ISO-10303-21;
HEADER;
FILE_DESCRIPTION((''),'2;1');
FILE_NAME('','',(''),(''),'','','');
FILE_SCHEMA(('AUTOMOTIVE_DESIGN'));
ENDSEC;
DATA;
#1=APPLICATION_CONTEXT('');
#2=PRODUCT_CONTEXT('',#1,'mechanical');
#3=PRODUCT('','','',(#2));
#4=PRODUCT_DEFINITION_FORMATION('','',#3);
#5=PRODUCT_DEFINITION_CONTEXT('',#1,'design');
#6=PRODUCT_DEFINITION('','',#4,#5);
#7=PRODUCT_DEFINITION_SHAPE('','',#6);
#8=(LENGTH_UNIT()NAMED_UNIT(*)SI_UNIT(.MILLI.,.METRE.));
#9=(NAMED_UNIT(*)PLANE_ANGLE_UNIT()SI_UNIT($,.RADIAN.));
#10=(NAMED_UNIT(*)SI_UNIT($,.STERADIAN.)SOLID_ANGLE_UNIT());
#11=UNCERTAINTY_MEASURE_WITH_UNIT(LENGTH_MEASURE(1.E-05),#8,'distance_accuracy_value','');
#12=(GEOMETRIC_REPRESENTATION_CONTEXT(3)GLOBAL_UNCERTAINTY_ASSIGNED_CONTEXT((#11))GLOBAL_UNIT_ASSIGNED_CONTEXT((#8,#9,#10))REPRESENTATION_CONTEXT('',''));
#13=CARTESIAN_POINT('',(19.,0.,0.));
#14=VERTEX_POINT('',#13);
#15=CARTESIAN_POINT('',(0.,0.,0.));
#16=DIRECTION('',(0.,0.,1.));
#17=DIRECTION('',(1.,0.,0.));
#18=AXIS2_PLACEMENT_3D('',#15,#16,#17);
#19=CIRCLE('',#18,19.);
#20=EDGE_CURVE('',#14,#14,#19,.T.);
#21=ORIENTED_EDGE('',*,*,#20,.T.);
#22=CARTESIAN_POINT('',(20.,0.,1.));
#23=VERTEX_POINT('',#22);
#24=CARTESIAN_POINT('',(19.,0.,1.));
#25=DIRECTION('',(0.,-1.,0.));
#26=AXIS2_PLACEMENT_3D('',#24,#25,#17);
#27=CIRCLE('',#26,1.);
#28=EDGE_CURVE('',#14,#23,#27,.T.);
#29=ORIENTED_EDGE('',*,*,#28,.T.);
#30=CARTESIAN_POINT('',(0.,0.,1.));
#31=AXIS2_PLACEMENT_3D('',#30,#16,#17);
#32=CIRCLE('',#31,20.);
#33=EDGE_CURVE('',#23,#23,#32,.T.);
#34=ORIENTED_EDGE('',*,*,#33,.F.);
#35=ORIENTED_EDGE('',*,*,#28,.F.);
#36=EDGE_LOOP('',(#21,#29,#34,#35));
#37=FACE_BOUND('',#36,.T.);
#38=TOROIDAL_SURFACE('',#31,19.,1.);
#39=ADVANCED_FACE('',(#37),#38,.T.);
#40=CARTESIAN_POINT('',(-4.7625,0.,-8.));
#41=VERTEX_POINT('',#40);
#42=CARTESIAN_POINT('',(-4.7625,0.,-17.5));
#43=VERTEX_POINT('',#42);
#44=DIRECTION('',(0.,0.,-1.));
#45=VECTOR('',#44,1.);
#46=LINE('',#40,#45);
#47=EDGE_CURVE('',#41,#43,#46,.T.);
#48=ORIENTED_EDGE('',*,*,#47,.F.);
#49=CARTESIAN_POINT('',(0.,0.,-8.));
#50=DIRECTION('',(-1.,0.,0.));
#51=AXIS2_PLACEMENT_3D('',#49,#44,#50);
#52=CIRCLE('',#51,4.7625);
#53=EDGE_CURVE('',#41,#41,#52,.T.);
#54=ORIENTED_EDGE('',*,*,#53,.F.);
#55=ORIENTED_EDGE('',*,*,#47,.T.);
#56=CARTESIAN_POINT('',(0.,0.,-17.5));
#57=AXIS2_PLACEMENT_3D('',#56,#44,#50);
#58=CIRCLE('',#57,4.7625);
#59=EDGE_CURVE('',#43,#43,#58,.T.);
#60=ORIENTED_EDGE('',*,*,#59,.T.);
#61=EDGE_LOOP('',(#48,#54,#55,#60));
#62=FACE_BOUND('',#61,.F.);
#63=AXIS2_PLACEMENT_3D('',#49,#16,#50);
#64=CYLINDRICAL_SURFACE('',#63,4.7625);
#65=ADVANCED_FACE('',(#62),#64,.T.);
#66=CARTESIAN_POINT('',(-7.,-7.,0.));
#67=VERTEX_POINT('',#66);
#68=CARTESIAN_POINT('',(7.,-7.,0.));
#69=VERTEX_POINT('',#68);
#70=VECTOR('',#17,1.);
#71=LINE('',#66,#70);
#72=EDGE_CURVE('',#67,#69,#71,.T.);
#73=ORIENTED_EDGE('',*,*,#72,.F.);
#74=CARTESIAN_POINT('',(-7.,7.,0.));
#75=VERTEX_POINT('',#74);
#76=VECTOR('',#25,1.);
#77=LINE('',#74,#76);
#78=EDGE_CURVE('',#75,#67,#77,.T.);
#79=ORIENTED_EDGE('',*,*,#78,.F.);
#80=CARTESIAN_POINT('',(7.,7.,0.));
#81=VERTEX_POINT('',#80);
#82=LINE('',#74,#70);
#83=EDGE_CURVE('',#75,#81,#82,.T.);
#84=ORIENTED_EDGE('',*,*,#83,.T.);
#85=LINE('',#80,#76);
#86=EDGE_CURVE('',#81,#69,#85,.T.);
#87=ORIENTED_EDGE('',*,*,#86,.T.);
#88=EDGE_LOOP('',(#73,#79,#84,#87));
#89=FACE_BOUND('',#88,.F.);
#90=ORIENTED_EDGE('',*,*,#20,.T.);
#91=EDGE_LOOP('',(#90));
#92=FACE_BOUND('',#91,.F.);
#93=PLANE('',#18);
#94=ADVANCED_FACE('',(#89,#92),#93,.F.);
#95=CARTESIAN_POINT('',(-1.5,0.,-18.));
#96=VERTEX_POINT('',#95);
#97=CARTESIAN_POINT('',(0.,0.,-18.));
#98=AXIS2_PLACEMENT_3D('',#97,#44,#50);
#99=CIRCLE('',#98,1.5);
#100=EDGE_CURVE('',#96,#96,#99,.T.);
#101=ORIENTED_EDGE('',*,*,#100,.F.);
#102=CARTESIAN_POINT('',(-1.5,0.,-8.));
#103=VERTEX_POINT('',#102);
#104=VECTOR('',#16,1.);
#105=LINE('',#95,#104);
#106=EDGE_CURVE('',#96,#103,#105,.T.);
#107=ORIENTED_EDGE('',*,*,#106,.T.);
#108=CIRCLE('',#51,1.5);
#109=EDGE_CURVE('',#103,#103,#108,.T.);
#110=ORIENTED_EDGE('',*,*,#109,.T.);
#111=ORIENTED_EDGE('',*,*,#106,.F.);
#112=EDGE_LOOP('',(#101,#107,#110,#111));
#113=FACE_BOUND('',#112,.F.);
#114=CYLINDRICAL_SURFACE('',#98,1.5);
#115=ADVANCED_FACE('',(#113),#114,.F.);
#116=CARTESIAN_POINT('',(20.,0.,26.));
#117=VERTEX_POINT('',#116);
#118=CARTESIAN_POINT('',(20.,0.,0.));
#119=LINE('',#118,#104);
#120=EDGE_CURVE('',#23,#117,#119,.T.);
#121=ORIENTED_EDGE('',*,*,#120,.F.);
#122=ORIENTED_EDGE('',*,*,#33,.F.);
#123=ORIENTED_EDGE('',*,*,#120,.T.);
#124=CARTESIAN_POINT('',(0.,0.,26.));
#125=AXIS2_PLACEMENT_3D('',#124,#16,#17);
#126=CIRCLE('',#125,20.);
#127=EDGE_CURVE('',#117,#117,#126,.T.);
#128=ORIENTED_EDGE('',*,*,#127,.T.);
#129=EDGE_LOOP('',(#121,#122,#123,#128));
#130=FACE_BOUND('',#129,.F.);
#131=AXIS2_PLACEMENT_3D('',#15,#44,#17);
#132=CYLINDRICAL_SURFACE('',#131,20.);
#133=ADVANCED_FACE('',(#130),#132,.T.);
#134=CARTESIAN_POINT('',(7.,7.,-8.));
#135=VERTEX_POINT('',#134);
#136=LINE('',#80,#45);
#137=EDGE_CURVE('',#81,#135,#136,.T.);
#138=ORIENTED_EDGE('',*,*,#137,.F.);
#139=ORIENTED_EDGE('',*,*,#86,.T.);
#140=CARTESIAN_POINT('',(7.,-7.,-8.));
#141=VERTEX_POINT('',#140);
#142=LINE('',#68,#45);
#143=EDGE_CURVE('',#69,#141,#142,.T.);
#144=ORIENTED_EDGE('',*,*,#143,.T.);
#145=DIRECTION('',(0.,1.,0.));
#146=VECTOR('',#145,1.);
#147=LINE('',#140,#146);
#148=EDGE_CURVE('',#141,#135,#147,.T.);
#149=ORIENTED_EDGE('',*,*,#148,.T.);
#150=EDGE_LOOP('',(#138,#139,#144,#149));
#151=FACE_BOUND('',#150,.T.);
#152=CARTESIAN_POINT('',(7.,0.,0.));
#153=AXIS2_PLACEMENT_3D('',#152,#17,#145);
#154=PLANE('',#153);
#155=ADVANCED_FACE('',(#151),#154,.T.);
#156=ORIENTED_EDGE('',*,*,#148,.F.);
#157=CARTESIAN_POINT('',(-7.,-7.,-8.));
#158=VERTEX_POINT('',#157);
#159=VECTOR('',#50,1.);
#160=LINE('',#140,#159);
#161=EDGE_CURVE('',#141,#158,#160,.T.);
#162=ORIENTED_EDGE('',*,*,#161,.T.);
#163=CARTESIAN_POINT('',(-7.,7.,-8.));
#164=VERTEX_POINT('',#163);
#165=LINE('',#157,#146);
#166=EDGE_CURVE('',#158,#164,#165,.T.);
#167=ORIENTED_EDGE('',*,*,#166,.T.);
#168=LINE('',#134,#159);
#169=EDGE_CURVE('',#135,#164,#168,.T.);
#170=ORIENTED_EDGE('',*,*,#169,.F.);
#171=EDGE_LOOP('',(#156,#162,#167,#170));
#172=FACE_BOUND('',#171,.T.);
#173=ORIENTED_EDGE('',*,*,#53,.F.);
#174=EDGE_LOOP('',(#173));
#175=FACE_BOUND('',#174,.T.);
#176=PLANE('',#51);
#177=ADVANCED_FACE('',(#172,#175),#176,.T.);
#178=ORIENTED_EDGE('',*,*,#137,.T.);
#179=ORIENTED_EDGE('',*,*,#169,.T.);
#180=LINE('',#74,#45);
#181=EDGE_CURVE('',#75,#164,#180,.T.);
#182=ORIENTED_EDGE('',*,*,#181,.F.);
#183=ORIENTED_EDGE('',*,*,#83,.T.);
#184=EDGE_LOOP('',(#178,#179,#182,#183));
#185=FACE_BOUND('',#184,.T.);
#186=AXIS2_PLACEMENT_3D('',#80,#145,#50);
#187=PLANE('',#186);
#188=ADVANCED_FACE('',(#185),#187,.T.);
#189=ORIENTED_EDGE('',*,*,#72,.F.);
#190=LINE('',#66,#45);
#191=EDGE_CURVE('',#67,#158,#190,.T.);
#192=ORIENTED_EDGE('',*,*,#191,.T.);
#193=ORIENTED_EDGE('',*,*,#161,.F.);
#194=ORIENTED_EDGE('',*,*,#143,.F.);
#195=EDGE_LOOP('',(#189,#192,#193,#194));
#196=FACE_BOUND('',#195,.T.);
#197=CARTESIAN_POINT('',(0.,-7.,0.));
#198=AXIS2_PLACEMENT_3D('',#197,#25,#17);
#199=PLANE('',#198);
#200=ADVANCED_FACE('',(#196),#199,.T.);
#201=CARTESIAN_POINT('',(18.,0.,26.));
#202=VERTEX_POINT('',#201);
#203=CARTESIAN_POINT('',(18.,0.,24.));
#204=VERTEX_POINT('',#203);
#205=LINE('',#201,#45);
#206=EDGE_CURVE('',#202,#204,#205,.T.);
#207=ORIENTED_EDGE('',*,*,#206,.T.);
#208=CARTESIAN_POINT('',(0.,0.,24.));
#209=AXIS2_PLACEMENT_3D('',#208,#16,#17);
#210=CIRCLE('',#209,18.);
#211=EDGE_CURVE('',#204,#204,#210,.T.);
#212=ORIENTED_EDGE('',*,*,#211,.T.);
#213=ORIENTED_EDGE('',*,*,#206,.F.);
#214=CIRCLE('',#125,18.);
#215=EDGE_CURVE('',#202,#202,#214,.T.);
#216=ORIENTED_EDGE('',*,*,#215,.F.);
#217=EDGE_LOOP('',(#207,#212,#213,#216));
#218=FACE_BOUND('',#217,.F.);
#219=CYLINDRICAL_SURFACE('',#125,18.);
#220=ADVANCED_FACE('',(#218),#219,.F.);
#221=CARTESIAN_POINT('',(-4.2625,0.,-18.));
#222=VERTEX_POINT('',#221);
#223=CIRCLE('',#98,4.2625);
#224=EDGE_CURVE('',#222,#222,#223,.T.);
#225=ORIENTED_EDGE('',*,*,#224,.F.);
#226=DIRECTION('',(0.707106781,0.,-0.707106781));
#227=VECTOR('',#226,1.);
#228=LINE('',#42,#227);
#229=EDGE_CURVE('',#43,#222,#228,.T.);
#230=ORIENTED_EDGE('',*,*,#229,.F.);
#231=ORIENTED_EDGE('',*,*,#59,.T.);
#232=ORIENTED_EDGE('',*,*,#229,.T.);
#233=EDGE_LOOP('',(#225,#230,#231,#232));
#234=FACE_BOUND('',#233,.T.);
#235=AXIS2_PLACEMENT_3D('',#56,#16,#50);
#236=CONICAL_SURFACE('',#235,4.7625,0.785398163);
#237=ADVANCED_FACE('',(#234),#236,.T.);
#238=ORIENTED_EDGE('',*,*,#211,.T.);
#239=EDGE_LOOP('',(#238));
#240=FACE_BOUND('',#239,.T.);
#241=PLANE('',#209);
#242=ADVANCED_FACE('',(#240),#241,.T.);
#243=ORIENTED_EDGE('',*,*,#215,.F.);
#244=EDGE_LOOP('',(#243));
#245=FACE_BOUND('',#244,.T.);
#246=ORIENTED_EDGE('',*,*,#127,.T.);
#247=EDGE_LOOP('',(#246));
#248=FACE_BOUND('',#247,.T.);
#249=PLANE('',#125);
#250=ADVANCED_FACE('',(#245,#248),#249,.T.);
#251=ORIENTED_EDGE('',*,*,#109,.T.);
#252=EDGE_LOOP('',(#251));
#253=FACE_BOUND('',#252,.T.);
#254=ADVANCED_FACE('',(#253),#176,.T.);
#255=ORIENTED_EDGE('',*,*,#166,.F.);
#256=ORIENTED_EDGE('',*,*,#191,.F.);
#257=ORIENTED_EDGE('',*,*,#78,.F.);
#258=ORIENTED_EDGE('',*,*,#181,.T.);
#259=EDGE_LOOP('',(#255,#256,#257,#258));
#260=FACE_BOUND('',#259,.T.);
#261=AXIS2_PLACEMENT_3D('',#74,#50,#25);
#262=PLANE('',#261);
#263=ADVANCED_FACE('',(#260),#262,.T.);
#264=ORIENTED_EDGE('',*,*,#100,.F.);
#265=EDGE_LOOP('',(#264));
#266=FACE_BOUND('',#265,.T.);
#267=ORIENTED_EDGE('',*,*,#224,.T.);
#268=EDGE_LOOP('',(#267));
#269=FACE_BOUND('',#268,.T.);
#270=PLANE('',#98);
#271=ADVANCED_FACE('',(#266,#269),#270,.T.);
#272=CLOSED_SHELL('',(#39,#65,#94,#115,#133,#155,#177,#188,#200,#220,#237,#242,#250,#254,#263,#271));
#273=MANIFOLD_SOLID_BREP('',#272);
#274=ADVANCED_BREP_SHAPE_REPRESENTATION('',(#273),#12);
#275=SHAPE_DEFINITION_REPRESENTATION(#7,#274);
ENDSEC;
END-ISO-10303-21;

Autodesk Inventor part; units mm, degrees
ref_plane "YZ Plane" through (0, 0, 0) normal (1, 0, 0) x (0, 1, 0)
ref_plane "XZ Plane" through (0, 0, 0) normal (0, 1, 0) x (-1, 0, 0)
ref_plane "XY Plane" through (0, 0, 0) normal (0, 0, 1) x (1, 0, 0)
sketch "Sketch13" plane through (0, 0, 0) normal (0, 0, 1) x (1, 0, 0)
  circle A0 centre (0, 0) radius 20
  dimension "d46" = 40
extrude "Extrusion13" add sketch "Sketch13" along normal blind 26
sketch "Sketch15" plane through (0, 0, 0) normal (0, 0, -1) x (-1, 0, 0)
  line L0 (-7, 7) -> (7, 7)
  line L1 (7, 7) -> (7, -7)
  line L2 (7, -7) -> (-7, -7)
  line L3 (-7, -7) -> (-7, 7)
  line L4 (-28, 0) -> (28, 0) projected
  line L5 (0, -28) -> (0, 28) projected
  dimension "d52" = 14
  dimension "d53" = 14
extrude "Extrusion15" add sketch "Sketch15" along normal blind 8
sketch "Sketch16" plane through (0, 0, -8) normal (0, 0, -1) x (-1, 0, 0)
  circle A0 centre (0, 0) radius 4.7625
  dimension "d58" = 9.525
extrude "Extrusion16" add sketch "Sketch16" along normal blind 10
thread "Thread3" size "1/8" designation "1/8 - 27 NPT" standard "NPT" full length
sketch "Sketch18" plane through (0, 0, 26) normal (0, 0, 1) x (1, 0, 0)
  circle A0 centre (0, 0) radius 20 projected
  circle A1 centre (0, 0) radius 18
  dimension "d66" = 2
extrude "Extrusion18" cut sketch "Sketch18" against normal blind 2 contours A1
sketch "Sketch20" plane through (0, 0, -18) normal (0, 0, -1) x (-1, 0, 0)
  circle A0 centre (0, 0) radius 4.7625 projected
  circle A1 centre (0, 0) radius 1.5
  dimension "d75" = 3
extrude "Extrusion19" cut sketch "Sketch20" against normal blind 10 contours A1
sketch "Sketch19" plane through (0, 0, 24) normal (0, 0, 1) x (1, 0, 0)
  circle A0 centre (0, 0) radius 18 projected
  line L0 (-6.3869, -6.5985) -> (5.7442, -6.5985) construction
  line L1 (5.7442, -6.5985) -> (5.7442, -16.6783) construction
  line L2 (5.7442, -16.6783) -> (-6.3869, -16.6783) construction
  line L3 (-6.3869, -16.6783) -> (-6.3869, -6.5985) construction
chamfer "Chamfer1" distance 0.5 angle 45 1 edges at (4.7625, 0, -18)
fillet "Fillet5" radius 1 1 edges at (-20, 0, 0)
properties part number "9690242"
